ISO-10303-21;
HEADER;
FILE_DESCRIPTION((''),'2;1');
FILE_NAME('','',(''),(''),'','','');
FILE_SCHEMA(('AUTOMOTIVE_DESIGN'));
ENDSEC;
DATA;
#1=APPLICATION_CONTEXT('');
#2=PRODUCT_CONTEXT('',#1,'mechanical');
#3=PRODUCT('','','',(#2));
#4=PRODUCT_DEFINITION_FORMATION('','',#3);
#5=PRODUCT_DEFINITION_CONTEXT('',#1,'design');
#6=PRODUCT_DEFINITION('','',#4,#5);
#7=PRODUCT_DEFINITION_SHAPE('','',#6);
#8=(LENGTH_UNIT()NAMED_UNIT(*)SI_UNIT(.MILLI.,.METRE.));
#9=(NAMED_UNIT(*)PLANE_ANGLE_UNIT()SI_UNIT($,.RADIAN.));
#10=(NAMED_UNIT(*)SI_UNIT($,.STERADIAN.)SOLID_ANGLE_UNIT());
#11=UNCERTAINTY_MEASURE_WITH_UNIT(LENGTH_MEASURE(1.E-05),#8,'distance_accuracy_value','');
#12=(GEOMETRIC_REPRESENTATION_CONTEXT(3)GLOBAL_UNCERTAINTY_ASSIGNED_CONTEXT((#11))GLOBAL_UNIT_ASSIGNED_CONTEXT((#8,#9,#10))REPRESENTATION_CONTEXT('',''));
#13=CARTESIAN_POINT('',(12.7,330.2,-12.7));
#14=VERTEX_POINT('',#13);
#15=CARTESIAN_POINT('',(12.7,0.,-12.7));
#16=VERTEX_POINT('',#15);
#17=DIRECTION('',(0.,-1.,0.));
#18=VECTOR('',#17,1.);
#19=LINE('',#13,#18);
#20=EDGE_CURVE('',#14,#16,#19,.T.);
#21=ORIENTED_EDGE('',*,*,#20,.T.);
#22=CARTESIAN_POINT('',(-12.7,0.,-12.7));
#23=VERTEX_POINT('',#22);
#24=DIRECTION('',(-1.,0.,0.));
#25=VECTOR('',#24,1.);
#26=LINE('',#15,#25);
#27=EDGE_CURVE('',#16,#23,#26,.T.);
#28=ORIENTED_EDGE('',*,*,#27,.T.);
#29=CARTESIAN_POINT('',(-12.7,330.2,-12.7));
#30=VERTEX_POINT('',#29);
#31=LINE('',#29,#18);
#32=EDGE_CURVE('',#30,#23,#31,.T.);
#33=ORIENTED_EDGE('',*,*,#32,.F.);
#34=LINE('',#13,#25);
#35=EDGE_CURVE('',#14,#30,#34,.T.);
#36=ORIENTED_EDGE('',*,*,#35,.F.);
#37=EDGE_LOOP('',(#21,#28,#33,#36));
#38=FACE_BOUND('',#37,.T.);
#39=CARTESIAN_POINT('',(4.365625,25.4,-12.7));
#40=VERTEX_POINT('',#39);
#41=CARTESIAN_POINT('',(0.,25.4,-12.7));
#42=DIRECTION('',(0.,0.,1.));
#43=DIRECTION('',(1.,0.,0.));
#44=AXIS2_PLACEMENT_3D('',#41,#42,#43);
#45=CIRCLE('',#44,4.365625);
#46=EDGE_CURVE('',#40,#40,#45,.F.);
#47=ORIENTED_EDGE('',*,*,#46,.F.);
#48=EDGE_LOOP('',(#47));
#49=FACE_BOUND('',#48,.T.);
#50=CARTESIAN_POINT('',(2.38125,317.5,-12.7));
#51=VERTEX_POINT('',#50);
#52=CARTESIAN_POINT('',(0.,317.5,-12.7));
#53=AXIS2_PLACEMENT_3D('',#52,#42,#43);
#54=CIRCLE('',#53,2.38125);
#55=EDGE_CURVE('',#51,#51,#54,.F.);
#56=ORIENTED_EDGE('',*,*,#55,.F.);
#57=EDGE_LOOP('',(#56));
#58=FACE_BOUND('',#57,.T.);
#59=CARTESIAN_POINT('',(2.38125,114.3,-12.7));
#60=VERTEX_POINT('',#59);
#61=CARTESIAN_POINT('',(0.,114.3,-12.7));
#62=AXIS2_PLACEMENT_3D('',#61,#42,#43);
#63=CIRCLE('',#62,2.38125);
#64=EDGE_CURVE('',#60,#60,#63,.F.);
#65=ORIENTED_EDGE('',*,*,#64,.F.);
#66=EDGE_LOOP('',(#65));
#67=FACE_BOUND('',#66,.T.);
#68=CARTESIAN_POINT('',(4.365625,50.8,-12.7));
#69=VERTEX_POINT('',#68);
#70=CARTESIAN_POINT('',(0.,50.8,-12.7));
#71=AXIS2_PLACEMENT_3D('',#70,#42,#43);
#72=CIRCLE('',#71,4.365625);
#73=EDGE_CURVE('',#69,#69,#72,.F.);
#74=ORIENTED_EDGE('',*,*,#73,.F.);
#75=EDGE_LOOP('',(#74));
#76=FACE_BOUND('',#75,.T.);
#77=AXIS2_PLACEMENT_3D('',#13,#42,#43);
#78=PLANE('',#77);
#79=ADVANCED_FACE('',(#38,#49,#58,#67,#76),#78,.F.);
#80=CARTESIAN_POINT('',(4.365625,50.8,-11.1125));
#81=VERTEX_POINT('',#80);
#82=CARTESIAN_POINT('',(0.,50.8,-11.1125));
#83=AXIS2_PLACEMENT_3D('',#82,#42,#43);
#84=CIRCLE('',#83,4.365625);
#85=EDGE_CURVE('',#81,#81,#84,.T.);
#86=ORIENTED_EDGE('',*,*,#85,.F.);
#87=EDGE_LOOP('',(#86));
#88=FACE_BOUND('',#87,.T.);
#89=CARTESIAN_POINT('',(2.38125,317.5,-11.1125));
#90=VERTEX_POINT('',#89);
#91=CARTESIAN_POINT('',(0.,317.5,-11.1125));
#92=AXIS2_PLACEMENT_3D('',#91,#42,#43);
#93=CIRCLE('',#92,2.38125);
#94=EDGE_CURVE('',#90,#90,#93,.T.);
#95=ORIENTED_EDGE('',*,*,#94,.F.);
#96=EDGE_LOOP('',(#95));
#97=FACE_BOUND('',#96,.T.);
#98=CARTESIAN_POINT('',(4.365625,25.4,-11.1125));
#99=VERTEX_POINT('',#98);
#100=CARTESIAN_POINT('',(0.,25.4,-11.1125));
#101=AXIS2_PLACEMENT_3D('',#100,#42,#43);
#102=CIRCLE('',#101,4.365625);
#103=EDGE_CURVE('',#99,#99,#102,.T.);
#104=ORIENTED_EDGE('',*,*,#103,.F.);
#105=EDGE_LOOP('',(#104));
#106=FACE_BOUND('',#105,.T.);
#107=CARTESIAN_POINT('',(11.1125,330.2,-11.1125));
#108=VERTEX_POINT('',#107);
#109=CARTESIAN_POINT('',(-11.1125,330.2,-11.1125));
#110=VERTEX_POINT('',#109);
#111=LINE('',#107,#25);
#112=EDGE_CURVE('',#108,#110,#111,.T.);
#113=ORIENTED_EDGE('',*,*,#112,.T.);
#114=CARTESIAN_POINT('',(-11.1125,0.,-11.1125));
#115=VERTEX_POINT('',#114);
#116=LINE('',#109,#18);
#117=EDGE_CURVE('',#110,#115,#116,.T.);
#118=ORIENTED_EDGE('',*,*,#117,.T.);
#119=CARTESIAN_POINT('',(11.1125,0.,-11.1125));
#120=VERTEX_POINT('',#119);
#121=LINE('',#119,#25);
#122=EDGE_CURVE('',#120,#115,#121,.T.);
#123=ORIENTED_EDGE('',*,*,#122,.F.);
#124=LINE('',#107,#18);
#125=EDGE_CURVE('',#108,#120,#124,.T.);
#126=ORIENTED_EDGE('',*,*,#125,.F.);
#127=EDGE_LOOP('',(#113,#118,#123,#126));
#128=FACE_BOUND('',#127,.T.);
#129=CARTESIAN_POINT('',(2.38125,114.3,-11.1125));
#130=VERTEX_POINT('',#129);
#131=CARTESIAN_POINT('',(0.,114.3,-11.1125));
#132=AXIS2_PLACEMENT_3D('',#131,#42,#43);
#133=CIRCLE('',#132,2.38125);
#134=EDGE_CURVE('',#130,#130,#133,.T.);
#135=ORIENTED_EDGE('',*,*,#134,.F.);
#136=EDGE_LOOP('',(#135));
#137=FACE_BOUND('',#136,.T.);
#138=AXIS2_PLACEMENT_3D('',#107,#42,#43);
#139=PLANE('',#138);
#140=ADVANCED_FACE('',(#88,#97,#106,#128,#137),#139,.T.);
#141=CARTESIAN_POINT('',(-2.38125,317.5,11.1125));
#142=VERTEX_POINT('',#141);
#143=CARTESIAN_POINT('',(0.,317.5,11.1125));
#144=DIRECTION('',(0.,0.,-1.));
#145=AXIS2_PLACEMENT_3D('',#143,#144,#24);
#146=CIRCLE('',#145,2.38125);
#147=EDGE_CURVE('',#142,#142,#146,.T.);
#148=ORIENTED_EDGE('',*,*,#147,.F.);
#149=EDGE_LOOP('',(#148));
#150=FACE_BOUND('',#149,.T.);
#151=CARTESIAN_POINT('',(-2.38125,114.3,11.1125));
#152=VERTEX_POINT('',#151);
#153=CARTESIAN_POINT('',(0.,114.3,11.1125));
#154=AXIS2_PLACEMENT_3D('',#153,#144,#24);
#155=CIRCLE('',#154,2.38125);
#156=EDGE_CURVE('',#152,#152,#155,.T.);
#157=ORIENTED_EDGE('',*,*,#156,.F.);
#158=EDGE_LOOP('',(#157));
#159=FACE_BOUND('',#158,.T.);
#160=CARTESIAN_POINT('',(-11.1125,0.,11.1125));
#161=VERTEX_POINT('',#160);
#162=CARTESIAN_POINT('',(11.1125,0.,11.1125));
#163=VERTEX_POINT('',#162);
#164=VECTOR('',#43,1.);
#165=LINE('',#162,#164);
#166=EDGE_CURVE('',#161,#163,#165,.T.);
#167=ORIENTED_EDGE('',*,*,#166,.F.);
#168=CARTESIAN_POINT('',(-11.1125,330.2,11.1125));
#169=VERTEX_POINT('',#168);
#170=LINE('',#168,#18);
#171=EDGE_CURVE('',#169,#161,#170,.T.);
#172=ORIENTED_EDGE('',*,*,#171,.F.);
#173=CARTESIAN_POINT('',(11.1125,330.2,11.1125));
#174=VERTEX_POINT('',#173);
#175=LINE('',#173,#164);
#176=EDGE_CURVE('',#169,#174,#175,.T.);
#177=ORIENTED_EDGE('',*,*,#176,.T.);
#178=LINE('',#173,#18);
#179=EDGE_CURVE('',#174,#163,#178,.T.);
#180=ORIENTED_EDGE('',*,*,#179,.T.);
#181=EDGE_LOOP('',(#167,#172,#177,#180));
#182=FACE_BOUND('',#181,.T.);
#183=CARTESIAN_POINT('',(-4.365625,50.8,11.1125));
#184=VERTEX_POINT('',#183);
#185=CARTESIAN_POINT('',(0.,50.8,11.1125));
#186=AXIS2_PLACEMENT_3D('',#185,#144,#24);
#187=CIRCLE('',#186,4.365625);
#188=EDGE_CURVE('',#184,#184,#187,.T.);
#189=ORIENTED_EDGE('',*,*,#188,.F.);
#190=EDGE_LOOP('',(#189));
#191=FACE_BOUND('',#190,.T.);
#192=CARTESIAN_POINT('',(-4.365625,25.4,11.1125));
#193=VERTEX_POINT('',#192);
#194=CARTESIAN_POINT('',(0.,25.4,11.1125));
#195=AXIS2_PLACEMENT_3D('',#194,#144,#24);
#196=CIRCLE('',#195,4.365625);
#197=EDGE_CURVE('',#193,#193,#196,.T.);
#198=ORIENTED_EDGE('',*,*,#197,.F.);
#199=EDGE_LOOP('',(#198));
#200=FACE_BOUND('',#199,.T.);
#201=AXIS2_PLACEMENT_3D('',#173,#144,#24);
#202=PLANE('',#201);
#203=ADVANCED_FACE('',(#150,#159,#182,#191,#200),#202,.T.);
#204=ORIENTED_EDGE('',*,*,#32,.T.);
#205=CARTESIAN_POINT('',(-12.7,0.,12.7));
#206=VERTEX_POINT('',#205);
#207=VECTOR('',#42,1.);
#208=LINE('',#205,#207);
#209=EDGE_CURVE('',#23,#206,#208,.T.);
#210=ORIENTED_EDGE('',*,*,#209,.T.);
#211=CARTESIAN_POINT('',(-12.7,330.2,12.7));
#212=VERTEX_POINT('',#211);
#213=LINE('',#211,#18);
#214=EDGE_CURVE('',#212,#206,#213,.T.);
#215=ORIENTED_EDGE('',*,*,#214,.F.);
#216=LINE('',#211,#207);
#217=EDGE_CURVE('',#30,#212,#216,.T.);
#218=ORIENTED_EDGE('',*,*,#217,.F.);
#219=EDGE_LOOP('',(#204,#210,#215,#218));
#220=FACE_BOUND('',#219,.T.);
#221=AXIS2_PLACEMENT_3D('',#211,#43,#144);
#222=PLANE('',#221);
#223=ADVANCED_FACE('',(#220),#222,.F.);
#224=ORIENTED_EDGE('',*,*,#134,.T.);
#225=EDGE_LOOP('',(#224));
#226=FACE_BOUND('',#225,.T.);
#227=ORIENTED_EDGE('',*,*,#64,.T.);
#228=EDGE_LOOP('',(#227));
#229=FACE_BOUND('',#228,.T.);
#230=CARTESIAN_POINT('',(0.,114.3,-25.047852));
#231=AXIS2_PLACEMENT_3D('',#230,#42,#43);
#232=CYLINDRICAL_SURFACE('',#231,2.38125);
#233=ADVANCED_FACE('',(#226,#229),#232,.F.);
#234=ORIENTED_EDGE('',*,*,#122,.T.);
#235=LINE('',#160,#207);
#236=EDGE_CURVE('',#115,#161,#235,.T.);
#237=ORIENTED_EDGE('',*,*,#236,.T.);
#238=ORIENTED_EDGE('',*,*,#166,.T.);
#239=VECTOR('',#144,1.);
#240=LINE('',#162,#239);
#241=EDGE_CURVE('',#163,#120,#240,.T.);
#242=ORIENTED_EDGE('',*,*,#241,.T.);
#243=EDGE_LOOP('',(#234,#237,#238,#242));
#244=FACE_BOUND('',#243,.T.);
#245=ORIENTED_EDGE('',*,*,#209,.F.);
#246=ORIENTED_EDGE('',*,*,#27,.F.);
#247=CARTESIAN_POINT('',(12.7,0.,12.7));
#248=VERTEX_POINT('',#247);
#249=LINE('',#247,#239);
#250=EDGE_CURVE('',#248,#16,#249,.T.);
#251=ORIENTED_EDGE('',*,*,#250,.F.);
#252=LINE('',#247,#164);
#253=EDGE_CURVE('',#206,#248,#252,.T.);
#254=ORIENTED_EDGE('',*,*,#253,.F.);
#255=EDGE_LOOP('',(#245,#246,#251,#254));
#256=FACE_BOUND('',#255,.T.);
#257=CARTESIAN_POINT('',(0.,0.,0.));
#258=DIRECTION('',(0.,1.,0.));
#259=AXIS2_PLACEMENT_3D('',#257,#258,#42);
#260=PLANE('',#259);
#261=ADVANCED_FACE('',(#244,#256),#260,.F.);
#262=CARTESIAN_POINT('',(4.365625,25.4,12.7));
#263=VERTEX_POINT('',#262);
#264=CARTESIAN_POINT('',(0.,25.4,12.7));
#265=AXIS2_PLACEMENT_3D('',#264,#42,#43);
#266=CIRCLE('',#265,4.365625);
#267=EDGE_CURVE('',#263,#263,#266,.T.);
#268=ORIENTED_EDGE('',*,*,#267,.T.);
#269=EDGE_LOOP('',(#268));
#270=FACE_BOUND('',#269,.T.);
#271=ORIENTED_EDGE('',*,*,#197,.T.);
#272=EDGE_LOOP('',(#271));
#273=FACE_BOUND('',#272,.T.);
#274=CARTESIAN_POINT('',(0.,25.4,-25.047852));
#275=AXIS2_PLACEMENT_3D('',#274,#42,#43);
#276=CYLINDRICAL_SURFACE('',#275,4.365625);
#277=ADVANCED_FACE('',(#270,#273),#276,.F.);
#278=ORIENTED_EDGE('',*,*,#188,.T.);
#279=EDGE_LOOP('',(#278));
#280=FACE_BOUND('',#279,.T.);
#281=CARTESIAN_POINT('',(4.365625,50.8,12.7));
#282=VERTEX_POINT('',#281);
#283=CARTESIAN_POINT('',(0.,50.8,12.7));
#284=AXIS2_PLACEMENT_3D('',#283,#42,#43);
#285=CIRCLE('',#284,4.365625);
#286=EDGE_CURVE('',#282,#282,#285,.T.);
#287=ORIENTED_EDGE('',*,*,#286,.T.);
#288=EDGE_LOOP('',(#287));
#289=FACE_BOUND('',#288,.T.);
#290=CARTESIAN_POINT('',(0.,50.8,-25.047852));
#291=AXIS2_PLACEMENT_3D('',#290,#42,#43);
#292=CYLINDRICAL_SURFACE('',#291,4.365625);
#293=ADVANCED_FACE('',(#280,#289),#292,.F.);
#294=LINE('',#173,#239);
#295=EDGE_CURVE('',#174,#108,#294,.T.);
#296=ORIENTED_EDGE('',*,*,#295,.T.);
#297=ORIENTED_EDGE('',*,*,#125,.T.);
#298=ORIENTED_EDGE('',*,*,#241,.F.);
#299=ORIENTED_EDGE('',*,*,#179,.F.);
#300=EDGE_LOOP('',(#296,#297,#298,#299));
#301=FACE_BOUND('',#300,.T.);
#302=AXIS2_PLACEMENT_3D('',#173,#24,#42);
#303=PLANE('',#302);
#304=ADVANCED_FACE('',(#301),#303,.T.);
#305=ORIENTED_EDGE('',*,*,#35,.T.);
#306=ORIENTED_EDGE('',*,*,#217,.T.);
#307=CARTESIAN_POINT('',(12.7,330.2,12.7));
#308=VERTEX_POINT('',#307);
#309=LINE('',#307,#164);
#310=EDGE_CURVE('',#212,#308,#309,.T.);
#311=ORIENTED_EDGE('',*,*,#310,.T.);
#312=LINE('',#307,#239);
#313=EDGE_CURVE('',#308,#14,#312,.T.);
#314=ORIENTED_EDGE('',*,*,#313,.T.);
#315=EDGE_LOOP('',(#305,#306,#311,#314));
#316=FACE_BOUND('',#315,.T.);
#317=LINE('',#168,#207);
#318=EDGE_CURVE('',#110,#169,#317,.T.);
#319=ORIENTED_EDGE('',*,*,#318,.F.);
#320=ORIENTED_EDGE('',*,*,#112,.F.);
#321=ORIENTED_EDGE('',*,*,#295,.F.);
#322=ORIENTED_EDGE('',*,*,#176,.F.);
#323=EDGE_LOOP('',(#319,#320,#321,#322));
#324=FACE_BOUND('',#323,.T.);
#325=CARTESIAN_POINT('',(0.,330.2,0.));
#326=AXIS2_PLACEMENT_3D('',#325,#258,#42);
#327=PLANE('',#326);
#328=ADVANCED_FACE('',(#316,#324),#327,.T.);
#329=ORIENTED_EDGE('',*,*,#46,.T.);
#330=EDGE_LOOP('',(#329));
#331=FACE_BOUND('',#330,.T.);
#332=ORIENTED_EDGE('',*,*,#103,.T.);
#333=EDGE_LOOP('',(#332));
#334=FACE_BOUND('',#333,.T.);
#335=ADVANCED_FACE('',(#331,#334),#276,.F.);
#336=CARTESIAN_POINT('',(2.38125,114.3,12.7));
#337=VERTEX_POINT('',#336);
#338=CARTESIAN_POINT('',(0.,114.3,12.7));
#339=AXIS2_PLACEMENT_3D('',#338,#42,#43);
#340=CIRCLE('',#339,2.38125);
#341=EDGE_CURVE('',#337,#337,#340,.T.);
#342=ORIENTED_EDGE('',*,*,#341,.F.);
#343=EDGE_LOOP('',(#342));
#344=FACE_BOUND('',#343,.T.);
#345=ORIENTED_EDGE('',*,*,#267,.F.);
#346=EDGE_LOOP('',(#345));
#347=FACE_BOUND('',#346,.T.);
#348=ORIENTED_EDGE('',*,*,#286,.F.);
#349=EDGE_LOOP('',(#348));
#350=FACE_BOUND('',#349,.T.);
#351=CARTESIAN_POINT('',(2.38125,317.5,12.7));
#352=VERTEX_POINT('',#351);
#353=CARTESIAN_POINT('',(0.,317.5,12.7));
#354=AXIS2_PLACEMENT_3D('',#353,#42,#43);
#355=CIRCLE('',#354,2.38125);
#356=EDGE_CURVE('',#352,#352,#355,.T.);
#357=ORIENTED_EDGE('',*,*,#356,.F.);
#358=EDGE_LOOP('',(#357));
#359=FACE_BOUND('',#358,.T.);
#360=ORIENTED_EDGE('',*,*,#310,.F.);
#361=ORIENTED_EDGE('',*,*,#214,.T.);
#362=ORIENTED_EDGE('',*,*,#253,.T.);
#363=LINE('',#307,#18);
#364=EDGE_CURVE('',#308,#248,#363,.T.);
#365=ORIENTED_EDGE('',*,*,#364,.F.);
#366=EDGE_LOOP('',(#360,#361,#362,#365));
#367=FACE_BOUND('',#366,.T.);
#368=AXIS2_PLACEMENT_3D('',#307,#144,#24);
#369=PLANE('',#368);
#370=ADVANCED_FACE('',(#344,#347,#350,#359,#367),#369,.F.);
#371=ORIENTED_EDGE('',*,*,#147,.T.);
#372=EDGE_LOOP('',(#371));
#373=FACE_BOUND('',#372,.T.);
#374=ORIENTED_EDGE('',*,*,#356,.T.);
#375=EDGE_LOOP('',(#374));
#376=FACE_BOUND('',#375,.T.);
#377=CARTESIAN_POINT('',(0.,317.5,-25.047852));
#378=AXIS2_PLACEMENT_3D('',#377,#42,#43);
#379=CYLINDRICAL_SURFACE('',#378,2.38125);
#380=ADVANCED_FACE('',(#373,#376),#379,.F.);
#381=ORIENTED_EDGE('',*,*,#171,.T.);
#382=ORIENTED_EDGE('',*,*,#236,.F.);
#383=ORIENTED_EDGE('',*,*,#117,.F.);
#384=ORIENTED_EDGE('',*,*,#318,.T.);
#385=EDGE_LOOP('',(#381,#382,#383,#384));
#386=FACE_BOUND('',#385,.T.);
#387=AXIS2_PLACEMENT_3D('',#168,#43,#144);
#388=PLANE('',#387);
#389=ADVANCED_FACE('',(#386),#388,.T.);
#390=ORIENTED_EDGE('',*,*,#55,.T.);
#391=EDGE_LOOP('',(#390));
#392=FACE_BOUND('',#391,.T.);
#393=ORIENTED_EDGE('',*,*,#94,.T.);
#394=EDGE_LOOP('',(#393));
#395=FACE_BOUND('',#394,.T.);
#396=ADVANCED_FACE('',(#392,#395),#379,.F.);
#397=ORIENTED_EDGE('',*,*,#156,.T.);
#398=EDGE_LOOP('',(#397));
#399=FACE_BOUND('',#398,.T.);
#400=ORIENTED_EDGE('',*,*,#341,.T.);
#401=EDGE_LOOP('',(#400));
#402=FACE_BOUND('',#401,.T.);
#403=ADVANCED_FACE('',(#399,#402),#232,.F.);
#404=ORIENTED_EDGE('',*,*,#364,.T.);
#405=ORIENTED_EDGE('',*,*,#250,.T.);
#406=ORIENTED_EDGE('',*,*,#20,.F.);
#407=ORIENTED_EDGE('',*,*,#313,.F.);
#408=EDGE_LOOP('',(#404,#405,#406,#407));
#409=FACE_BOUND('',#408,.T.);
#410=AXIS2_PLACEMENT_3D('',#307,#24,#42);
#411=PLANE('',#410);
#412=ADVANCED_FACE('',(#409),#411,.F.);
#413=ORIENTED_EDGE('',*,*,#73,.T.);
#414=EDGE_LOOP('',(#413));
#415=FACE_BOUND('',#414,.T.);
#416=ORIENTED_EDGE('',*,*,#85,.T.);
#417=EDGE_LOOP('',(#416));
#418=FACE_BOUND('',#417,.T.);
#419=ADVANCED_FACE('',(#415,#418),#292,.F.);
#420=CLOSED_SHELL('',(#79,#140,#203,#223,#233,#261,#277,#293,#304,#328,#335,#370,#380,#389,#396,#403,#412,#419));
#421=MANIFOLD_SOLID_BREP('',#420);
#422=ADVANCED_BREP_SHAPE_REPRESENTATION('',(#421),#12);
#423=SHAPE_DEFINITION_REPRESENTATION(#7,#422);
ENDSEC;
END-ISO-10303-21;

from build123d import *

# Parameters (mm, degrees)
SKETCH1_W           = 25.4
SKETCH1_H           = 25.4
SKETCH1_W_2         = 22.225
SKETCH1_H_2         = 22.225
BOSS_EXTRUDE1_DEPTH = 330.2
SKETCH2_R           = 4.365625
SKETCH2_R_2         = 2.38125
CUT_EXTRUDE1_DEPTH  = 25.4


with BuildPart() as part:
    # Sketch1 → Boss-Extrude1 (new body)
    with BuildSketch(Plane(origin=(0, 0, 0), x_dir=(1, 0, 0), z_dir=(0, 1, 0))):
        Rectangle(SKETCH1_W, SKETCH1_H)
        Rectangle(SKETCH1_W_2, SKETCH1_H_2, mode=Mode.SUBTRACT)
    extrude(amount=BOSS_EXTRUDE1_DEPTH)

    # Sketch2 → Cut-Extrude1 (cut)
    with BuildSketch(Plane.XY.offset(12.7)):
        with Locations((0, 25.4)):
            Circle(SKETCH2_R)
        with Locations((0, 50.8)):
            Circle(SKETCH2_R)
        with Locations((0, 317.5)):
            Circle(SKETCH2_R_2)
        with Locations((0, 114.3)):
            Circle(SKETCH2_R_2)
    extrude(amount=-CUT_EXTRUDE1_DEPTH, mode=Mode.SUBTRACT)


solid = part.part
